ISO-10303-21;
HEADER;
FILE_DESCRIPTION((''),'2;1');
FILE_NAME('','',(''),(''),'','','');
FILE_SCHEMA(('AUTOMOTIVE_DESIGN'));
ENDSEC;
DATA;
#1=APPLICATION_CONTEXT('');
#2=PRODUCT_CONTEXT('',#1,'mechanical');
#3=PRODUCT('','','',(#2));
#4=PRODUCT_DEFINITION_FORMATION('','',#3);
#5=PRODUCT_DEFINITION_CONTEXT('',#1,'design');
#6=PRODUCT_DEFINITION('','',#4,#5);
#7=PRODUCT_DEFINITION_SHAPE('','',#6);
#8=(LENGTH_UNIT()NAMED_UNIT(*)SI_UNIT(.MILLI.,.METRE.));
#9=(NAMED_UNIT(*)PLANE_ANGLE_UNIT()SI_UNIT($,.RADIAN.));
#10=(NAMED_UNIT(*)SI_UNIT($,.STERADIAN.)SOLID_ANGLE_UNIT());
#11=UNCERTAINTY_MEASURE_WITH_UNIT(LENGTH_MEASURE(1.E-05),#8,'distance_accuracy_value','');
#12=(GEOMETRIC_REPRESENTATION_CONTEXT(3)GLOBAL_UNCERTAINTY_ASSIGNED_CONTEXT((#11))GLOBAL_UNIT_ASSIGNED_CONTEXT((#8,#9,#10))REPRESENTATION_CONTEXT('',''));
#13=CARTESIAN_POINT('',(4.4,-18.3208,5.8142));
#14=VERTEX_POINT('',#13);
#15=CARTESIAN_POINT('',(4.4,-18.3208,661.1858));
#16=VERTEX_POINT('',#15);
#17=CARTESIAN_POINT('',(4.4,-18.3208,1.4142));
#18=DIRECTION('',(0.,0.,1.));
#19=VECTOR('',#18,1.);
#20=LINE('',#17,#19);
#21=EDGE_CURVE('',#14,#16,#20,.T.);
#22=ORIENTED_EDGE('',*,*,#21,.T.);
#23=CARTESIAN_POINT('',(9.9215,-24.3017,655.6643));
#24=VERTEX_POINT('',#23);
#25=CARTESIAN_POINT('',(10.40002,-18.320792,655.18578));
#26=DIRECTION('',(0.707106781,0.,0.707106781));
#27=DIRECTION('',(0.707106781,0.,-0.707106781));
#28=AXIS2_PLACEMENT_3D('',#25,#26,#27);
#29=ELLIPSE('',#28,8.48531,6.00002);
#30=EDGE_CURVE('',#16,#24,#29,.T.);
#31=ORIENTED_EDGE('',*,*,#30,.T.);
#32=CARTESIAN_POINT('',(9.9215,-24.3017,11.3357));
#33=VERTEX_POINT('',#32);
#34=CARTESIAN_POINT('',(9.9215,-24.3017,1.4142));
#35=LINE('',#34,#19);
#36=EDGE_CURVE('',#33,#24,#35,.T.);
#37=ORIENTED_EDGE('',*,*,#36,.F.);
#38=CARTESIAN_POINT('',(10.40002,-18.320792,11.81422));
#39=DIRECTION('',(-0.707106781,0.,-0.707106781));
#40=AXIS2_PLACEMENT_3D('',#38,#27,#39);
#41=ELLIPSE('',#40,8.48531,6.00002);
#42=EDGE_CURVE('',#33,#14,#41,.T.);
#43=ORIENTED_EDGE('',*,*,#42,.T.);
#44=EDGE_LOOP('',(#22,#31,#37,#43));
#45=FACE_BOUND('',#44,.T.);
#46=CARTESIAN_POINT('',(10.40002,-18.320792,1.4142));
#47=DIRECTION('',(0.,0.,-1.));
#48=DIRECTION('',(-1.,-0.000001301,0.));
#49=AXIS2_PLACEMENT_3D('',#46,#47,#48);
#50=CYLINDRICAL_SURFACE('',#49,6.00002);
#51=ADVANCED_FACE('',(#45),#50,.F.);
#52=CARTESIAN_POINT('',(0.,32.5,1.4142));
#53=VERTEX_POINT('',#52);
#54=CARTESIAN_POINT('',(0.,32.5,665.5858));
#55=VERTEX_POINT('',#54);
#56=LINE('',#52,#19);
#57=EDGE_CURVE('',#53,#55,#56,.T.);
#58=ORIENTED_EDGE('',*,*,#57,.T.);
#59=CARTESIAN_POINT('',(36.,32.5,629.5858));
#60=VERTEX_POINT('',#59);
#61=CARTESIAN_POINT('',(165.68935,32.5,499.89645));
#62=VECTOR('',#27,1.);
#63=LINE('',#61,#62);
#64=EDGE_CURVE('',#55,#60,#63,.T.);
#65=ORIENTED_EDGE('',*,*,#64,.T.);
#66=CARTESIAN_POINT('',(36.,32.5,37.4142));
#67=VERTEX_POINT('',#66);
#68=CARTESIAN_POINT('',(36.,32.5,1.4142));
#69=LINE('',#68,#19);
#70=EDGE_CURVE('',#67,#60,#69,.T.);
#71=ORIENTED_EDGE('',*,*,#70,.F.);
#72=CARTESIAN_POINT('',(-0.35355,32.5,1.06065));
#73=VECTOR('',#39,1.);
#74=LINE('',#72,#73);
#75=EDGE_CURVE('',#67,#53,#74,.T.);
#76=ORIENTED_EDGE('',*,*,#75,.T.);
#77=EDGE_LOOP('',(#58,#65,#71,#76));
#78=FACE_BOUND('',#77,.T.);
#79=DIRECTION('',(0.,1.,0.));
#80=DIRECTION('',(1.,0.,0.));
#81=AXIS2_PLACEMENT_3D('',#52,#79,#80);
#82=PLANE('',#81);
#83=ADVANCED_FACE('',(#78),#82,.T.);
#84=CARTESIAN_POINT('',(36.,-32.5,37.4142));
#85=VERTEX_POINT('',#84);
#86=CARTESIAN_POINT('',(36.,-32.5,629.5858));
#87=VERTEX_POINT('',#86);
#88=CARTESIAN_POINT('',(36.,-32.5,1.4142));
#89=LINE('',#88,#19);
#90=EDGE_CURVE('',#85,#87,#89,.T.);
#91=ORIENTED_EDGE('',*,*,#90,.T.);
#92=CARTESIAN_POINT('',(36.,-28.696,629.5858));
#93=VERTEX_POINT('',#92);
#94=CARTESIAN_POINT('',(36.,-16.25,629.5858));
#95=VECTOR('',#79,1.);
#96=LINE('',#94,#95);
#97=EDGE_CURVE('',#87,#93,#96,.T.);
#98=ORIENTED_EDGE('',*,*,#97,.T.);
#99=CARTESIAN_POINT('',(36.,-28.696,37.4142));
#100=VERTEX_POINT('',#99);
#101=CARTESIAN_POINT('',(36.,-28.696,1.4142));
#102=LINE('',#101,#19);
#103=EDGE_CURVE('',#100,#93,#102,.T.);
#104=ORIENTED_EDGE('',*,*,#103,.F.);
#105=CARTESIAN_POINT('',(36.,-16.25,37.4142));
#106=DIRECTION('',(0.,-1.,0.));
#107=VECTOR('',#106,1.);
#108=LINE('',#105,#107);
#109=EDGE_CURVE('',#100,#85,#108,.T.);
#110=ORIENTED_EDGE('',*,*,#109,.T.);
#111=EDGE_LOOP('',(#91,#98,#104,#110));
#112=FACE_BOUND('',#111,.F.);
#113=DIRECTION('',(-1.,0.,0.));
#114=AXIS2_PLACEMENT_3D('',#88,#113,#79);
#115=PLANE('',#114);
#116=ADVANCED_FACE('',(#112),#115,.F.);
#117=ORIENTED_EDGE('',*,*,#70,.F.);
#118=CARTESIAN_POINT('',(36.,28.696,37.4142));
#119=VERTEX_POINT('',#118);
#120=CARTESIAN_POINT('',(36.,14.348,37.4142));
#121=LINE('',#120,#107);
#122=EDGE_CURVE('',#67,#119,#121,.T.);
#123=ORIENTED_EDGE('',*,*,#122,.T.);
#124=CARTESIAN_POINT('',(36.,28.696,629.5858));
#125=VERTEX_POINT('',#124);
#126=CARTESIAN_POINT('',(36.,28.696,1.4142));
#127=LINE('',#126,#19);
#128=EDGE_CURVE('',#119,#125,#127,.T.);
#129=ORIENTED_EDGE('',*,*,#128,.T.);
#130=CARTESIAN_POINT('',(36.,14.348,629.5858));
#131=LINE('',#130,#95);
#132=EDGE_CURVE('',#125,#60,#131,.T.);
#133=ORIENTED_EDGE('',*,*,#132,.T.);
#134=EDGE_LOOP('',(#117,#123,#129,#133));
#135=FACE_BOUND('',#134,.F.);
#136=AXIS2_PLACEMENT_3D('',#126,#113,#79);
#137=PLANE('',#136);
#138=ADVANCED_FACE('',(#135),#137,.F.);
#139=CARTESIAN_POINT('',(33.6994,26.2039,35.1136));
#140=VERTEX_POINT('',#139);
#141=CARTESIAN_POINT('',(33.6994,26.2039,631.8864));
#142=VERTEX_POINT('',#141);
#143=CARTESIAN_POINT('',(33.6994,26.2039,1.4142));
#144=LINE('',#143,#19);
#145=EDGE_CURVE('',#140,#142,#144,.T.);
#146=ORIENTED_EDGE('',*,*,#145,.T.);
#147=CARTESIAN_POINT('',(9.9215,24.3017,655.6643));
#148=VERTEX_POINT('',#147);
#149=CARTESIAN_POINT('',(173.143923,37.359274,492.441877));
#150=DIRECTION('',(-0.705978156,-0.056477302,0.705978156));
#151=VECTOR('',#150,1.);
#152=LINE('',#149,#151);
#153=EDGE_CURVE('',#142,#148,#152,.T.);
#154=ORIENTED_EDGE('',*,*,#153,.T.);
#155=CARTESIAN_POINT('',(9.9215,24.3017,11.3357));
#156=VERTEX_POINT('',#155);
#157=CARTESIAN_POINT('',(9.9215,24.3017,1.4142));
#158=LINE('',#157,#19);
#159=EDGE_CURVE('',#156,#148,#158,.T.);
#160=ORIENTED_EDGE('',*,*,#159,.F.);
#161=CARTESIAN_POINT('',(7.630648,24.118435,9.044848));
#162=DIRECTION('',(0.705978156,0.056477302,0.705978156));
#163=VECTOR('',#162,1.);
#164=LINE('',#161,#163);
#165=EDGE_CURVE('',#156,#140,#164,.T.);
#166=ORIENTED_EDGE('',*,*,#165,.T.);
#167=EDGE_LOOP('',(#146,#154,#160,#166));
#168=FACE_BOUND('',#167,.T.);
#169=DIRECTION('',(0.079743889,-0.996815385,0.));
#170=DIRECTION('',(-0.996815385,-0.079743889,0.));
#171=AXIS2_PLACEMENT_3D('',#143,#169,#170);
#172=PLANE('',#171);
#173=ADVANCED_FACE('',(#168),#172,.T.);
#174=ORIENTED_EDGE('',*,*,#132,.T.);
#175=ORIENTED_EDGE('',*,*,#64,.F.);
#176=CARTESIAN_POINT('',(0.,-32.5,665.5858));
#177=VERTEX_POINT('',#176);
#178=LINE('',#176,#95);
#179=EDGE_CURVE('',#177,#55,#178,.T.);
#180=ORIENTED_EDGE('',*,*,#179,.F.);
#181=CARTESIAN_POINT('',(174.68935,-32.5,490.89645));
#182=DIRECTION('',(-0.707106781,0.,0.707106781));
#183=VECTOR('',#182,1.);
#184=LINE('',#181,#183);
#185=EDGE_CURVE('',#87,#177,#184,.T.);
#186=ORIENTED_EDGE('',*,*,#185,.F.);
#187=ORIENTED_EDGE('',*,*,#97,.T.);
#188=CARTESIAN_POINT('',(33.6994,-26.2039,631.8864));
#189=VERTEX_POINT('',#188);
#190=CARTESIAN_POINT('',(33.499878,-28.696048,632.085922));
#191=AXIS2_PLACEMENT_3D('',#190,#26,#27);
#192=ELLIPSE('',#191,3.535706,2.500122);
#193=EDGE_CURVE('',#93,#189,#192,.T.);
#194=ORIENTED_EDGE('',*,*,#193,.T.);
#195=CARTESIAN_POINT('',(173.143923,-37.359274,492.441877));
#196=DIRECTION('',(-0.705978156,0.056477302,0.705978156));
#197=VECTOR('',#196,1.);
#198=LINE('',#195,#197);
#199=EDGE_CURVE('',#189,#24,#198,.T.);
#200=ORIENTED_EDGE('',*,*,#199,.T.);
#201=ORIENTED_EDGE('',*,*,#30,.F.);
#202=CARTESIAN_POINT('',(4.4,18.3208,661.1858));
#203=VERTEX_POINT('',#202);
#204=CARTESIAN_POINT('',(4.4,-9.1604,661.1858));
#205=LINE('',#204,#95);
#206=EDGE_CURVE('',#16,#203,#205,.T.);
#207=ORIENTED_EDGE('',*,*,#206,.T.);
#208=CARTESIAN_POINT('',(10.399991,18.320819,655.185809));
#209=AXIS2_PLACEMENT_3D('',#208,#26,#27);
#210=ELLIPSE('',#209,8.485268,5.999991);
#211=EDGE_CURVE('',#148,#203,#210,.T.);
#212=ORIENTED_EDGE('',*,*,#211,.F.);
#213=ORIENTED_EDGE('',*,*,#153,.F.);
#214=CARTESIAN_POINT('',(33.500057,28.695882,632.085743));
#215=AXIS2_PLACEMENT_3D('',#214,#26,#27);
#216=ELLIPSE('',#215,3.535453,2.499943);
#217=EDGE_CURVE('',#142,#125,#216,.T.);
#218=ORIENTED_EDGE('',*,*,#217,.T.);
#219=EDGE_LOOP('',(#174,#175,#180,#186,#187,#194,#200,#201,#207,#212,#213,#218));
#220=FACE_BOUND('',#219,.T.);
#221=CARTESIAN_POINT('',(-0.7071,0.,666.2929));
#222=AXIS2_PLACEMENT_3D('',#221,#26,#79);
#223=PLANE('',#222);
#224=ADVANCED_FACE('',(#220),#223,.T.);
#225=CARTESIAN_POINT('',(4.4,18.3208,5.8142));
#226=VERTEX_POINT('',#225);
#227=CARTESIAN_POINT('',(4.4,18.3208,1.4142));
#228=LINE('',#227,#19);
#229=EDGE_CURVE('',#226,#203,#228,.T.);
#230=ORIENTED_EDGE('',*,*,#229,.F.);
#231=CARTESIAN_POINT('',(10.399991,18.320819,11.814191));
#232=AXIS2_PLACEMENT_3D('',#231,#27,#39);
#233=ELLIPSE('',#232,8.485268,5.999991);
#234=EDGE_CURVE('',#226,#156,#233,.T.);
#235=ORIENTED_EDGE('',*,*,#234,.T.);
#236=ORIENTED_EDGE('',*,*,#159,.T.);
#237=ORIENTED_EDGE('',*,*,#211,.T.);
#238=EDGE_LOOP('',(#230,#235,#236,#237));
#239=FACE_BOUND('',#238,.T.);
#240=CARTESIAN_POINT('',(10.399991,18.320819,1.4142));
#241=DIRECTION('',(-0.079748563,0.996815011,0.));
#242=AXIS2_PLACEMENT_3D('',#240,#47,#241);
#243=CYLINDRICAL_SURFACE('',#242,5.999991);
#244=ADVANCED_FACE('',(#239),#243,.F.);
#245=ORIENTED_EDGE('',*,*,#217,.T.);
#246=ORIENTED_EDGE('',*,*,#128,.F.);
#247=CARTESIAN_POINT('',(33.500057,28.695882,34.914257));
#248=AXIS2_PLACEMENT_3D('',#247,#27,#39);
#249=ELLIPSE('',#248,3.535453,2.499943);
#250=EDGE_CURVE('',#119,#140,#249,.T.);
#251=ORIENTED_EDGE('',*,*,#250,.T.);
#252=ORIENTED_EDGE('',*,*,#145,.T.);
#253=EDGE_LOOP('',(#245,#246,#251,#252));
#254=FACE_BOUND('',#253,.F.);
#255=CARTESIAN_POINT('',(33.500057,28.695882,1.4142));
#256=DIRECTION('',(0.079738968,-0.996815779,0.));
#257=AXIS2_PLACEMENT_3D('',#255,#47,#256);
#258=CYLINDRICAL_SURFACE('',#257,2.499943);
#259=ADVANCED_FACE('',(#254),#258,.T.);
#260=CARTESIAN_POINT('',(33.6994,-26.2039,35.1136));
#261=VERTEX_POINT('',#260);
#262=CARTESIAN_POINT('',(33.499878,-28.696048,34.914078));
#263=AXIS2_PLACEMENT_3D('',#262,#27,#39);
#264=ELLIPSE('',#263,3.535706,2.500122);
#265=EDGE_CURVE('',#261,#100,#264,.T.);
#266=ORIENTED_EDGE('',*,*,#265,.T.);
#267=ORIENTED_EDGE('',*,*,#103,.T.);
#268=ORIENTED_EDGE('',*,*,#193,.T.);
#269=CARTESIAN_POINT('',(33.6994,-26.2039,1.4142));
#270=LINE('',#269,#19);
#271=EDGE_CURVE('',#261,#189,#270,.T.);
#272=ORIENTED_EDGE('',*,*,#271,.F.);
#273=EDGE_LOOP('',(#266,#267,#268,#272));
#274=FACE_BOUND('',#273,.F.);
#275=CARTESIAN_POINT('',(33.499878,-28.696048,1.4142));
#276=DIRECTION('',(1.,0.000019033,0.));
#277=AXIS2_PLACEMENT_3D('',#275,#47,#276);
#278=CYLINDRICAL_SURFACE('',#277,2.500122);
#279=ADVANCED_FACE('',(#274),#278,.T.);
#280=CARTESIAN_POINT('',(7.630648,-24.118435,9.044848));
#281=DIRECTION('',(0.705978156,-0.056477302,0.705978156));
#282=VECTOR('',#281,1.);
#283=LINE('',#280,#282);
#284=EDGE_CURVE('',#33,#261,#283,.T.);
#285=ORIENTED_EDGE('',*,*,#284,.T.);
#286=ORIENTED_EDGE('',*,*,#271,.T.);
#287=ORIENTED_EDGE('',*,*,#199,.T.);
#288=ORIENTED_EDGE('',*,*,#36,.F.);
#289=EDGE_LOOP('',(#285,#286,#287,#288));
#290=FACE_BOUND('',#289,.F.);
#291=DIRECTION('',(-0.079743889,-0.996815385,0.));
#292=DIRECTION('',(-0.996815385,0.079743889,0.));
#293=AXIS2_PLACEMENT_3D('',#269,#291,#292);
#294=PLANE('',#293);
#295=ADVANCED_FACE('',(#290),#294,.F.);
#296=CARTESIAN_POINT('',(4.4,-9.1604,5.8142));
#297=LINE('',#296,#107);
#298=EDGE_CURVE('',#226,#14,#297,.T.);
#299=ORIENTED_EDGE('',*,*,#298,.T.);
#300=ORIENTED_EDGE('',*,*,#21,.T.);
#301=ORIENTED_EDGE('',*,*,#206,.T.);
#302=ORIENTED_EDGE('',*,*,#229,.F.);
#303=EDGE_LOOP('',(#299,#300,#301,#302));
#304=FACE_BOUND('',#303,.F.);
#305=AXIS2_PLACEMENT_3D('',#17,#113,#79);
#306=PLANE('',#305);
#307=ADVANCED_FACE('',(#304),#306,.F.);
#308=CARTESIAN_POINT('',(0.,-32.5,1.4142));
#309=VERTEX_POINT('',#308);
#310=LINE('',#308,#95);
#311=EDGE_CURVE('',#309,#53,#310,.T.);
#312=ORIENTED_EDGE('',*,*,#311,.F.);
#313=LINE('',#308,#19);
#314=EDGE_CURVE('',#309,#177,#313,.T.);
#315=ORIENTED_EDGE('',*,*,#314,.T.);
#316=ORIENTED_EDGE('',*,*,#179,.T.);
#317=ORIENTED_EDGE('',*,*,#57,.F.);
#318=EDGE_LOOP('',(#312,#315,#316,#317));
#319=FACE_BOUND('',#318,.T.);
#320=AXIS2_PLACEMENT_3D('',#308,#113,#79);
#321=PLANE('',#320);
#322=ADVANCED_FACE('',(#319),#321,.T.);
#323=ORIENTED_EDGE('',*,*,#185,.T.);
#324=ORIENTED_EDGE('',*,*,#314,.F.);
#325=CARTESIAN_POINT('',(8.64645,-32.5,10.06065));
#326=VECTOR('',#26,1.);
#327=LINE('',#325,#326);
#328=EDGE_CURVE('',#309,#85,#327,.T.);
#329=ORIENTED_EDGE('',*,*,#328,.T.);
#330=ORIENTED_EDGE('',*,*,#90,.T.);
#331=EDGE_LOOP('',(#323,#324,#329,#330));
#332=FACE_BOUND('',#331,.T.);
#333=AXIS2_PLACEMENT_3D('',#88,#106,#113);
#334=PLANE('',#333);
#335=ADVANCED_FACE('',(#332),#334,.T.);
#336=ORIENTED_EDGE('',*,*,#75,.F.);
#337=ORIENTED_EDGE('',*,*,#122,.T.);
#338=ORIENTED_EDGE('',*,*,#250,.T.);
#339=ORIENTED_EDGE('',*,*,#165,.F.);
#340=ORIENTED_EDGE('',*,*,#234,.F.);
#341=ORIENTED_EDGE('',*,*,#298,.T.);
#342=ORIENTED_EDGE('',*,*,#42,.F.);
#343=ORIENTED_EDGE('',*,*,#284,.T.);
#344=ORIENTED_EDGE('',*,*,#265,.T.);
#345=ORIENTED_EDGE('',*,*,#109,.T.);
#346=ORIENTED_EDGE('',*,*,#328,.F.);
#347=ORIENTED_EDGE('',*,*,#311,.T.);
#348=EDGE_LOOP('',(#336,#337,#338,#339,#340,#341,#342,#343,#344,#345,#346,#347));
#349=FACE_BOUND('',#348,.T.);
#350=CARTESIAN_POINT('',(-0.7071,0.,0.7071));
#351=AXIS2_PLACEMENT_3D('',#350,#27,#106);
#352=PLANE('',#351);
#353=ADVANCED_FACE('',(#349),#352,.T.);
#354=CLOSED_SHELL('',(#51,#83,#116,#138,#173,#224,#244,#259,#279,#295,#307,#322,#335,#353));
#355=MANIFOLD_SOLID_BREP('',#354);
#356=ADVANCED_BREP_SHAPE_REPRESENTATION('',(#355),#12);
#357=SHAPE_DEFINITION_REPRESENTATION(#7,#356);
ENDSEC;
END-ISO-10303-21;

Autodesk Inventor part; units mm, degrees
ref_plane "Начальная плоскость" through (0, 0, 1.4142) normal (0, 0, 1) x (1, 0, 0)
ref_plane "Конечная плоскость" through (0, 0, 665.5858) normal (0, 0, 1) x (1, 0, 0)
sketch "Эскиз" plane through (0, 0, 0) normal (0, 0, 1) x (1, 0, 0)
  line L0 (36, -32.5) -> (0, -32.5)
  line L1 (36, -32.5) -> (36, -28.696)
  line L2 (33.6994, -26.2039) -> (9.9215, -24.3017)
  line L3 (4.4, -18.3208) -> (4.4, 18.3208)
  line L4 (33.6994, 26.2039) -> (9.9215, 24.3017)
  line L5 (36, 28.696) -> (36, 32.5)
  line L6 (0, 32.5) -> (36, 32.5)
  line L7 (0, -32.5) -> (0, 32.5)
  arc A0 (4.4, -18.3208) -> (9.9215, -24.3017) centre (10.4, -18.3208) ccw
  arc A1 (9.9215, 24.3017) -> (4.4, 18.3208) centre (10.4, 18.3208) ccw
  arc A2 (36, -28.696) -> (33.6994, -26.2039) centre (33.5, -28.696) ccw
  arc A3 (33.6994, 26.2039) -> (36, 28.696) centre (33.5, 28.696) ccw
  line L8 (0, 45.5) -> (0, -45.5) construction
  line L9 (-7.2974, 0) -> (43.7847, 0) construction
  point P0 (36, -26.388)
  point P1 (4.4, -23.86)
  point P2 (4.4, 23.86)
  point P3 (36, 26.388)
  dimension "d3" = 36
  dimension "d5" = 4.4
  dimension "d7" = 65
  dimension "d9" = 8.64
  dimension "d11" = 8.64
  dimension "d13" = 6.112
  dimension "d15" = 6.112
  dimension "d22" = 6
  dimension "d23" = 2.5
  dimension "d24" = 32.5
  dimension "d25" = 0
extrude "Тело" add sketch "Эскиз" along normal up to surface (664.1716 mm away) from surface at 1.4142
sketch "Sketch3" plane through (0, 0, 0) normal (0, 0, 1) x (1, 0, 0)
  line L0 (0, 0) -> (10, 0)
ref_plane "Work Plane7" through (0, 0, 0) normal (0, -1, 0) x (1, 0, 0)
sketch "Sketch4" plane through (0, 0, 0) normal (0, -1, 0) x (1, 0, 0)
  line L0 (-2, 1.4142) -> (12, 1.4142)
  line L1 (-2, 665.5858) -> (12, 665.5858)
  dimension "d29" = 664.1716
ref_plane "РабПлоскость8" through (-0.7071, 0, 0.7071) normal (0.7071, 0, -0.7071) x (-0.7071, 0, -0.7071)
split "Разделение1" plane through (-0.7071, 0, 0.7071) removes the side toward (0.7071, 0, -0.7071)
ref_plane "РабПлоскость9" through (-0.7071, 0, 666.2929) normal (0.7071, 0, 0.7071) x (0.7071, 0, -0.7071)
split "Разделение2" plane through (-0.7071, 0, 666.2929) removes the side toward (0.7071, 0, 0.7071)
equation "\"d3\" = b"
equation "\"d5\" = t1"
equation "\"d7\" = ParH"
equation "\"d9\" = msp_x1 + t2"
equation "\"d11\" = msp_x1 + t2"
equation "\"d13\" = -msp_x2 + t2"
equation "\"d15\" = -msp_x2 + t2"
equation "\"d22\" = R"
equation "\"d23\" = R1"
equation "\"d24\" = 0.5 * d7"
equation "\"d16\" = G_L"
equation "\"R1\" = 2.5"
equation "\"R\" = 6"
equation "\"t1\" = 4.4"
equation "\"t2\" = 7.2"
equation "\"ParH\" = 65"
equation "\"b\" = 36"
equation "\"msp_x1\" = 0.04 * b"
equation "\"msp_x2\" = -0.08 * t1 + 0.04 * b"
equation "\"G_L\" = d29"
equation "\"ex\" = 0"
equation "\"G_OFFSET_START\" = -1.41421"
equation "\"G_OFFSET_END\" = -1.41421"
equation "\"d26\" = -G_OFFSET_START"
equation "\"d27\" = G_OFFSET_END + B_L"
equation "\"B_L\" = 667"
properties part number "Швеллер 6.5U-664,17 ГОСТ 8240-97" material "Сталь, мягкая, сварочная"
